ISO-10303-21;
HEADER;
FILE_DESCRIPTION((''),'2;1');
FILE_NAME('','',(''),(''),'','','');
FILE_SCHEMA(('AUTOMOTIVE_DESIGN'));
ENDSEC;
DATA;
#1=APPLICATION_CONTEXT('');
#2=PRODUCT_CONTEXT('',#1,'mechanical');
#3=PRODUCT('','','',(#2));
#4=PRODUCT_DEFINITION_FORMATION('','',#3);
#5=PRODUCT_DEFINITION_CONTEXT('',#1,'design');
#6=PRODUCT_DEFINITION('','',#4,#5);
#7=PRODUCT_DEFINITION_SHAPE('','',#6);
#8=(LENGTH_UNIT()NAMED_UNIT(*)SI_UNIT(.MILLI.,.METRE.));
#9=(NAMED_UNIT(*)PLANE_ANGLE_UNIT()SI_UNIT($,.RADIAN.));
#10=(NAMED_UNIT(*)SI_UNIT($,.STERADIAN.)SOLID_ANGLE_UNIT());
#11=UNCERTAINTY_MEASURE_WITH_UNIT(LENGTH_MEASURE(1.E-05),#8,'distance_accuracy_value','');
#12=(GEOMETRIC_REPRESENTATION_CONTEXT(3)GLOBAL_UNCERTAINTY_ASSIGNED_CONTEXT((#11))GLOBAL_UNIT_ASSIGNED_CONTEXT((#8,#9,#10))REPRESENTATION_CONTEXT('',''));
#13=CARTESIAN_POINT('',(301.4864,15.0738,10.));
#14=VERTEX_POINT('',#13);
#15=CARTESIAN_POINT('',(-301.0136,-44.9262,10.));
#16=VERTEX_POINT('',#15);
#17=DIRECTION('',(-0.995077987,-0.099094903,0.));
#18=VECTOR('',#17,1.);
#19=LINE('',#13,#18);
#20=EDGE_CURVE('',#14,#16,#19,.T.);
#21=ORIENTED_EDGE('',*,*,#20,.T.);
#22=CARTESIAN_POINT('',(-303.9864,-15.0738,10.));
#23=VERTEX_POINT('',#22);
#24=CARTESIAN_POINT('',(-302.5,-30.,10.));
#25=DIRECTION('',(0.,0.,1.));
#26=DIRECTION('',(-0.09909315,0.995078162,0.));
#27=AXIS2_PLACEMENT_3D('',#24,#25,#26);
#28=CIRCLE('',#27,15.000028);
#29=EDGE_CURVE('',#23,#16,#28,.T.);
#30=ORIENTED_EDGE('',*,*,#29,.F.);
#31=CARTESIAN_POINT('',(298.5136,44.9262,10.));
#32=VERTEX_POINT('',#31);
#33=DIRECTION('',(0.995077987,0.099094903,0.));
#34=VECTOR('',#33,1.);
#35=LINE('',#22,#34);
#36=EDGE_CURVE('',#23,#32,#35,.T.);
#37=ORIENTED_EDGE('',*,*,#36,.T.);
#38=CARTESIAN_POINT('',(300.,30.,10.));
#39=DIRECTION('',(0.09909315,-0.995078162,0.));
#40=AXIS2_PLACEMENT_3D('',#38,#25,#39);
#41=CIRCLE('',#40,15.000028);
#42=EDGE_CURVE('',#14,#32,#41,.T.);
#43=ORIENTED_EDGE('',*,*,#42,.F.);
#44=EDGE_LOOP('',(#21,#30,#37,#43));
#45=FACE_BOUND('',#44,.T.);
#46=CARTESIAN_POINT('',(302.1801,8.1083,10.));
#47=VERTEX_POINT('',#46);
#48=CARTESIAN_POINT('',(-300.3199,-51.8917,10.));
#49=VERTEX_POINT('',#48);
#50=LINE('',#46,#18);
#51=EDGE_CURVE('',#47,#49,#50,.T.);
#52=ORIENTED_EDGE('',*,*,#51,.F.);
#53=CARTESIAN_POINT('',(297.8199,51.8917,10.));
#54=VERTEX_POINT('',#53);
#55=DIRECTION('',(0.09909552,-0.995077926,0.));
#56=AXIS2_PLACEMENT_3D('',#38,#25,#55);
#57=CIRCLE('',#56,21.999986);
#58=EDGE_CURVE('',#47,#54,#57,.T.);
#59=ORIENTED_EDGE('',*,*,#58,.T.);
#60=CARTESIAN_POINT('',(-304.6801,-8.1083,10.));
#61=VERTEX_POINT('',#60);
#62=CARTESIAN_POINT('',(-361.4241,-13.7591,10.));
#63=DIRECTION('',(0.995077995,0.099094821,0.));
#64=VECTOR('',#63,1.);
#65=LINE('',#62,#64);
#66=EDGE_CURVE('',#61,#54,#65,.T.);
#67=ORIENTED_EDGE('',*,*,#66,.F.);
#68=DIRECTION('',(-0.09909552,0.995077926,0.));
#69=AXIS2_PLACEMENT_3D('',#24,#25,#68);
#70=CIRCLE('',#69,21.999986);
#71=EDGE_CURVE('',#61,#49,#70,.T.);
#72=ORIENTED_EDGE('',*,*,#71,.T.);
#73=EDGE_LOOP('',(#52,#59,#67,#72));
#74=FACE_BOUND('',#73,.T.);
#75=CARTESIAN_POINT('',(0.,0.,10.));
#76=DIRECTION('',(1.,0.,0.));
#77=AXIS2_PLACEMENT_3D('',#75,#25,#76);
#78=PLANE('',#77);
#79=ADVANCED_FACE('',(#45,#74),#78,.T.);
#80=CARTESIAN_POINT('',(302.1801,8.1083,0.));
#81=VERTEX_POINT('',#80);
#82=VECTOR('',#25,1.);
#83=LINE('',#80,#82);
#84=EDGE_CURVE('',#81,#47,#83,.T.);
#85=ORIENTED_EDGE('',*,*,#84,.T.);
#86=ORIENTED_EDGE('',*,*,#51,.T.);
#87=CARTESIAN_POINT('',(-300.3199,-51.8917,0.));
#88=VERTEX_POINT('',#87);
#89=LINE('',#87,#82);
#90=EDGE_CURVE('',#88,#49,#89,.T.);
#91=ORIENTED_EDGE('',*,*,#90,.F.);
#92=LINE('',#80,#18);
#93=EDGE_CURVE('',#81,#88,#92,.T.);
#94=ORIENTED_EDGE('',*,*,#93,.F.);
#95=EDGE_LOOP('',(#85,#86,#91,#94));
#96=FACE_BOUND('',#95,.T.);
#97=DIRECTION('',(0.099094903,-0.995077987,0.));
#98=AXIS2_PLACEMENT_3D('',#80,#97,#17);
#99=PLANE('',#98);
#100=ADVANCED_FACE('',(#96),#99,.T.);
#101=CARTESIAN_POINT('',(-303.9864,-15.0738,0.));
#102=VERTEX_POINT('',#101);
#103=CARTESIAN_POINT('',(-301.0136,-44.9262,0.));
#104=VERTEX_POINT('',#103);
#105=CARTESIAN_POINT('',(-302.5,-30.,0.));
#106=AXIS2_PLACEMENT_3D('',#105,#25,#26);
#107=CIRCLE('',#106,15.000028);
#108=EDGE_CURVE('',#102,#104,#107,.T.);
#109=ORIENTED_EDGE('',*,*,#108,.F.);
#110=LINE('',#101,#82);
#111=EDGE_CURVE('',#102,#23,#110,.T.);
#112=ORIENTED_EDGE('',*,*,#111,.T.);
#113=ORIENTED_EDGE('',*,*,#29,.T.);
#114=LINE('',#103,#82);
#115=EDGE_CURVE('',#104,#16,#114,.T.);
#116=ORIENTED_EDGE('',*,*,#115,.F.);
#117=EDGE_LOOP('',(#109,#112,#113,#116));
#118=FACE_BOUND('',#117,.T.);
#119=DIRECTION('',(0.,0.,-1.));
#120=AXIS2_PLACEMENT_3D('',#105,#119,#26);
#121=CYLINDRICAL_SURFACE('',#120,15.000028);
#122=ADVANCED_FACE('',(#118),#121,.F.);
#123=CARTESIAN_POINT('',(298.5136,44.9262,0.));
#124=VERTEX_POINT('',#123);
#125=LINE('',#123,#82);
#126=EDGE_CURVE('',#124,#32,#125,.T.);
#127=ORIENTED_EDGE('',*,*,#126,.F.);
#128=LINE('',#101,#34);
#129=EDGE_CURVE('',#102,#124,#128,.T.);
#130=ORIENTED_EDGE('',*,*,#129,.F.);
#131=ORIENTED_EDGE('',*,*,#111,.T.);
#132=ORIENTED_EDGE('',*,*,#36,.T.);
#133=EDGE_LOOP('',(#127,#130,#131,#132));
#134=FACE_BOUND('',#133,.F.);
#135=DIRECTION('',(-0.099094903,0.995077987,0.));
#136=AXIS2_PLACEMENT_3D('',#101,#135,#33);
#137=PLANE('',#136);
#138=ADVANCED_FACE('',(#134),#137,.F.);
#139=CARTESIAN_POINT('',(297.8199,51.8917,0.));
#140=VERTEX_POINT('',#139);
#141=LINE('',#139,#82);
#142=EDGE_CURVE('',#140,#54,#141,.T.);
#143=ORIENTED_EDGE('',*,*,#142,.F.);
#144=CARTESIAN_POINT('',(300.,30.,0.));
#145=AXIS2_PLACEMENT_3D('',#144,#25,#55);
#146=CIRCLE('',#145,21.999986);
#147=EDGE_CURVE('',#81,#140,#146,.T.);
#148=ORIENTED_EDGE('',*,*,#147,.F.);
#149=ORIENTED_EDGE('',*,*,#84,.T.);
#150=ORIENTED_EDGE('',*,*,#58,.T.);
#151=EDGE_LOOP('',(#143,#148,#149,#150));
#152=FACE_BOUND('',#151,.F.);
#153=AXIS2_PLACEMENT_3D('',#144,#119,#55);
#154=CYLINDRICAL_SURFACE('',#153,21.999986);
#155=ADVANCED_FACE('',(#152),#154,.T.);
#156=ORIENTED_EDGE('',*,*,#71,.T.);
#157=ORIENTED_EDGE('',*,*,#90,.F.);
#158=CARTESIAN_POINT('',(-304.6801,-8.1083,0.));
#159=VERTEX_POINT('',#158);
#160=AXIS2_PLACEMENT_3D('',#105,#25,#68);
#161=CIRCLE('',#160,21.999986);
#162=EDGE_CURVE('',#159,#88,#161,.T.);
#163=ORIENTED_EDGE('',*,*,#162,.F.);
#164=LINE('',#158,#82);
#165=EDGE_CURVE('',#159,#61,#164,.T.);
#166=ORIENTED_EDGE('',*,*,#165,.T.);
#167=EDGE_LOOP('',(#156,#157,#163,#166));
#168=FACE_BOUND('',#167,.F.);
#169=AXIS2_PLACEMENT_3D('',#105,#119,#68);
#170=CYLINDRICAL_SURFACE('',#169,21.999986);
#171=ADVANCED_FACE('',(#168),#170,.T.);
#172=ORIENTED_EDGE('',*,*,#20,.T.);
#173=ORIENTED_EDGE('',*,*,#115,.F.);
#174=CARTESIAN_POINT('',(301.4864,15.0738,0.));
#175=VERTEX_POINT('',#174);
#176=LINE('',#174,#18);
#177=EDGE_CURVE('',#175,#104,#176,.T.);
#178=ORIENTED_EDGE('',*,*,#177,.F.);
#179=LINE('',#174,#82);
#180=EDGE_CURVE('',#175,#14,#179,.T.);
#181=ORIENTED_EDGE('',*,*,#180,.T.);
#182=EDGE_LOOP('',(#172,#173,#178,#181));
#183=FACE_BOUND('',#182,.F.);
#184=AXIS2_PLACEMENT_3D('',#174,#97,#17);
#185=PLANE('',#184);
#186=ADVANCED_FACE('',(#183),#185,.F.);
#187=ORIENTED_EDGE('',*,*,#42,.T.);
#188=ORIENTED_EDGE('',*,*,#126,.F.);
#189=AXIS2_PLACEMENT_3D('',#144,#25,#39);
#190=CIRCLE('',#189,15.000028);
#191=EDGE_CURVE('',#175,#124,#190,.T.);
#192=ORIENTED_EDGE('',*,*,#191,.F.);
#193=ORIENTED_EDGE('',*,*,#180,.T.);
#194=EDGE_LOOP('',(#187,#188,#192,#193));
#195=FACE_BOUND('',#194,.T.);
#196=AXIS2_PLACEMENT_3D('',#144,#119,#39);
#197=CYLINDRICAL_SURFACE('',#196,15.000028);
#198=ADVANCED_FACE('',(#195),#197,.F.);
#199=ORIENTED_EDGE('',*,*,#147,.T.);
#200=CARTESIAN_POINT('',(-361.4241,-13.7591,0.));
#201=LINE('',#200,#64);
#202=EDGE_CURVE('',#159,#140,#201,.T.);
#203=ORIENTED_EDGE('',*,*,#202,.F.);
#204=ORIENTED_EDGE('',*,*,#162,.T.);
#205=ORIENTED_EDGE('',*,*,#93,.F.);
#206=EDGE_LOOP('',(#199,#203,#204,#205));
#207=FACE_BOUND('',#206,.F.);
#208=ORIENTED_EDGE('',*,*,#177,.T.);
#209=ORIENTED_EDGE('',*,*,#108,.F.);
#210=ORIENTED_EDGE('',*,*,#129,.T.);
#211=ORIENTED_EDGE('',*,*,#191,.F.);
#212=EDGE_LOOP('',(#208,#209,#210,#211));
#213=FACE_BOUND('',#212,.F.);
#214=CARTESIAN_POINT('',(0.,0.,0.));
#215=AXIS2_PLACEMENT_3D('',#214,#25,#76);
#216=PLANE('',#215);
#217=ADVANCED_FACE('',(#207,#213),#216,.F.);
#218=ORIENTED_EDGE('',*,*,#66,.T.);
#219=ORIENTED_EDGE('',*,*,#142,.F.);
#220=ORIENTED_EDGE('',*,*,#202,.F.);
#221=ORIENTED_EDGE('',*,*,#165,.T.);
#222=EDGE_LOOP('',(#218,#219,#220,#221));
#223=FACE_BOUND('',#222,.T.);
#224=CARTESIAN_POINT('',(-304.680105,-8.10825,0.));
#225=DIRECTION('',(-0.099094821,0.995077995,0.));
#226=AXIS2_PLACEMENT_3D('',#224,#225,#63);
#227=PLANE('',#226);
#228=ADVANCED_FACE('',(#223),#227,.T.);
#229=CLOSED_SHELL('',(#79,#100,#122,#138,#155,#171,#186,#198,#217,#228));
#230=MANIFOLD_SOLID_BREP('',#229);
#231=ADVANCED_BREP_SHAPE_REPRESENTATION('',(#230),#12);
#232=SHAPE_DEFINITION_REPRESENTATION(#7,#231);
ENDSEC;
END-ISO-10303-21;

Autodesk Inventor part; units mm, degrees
ref_plane "YZ Plane" through (0, 0, 0) normal (1, 0, 0) x (0, 1, 0)
ref_plane "XZ Plane" through (0, 0, 0) normal (0, 1, 0) x (-1, 0, 0)
ref_plane "XY Plane" through (0, 0, 0) normal (0, 0, 1) x (1, 0, 0)
sketch "Boceto1" plane through (0, 0, 0) normal (0, 0, 1) x (1, 0, 0)
  arc A0 (-303.9864, -15.0738) -> (-301.0136, -44.9262) centre (-302.5, -30) ccw
  arc A1 (301.4864, 15.0738) -> (298.5136, 44.9262) centre (300, 30) ccw
  line L0 (-303.9864, -15.0738) -> (298.5136, 44.9262)
  line L1 (301.4864, 15.0738) -> (-301.0136, -44.9262)
  line L2 (-361.4241, -13.7591) -> (297.8199, 51.8917)
  arc A2 (302.1801, 8.1083) -> (297.8199, 51.8917) centre (300, 30) ccw
  line L3 (302.1801, 8.1083) -> (-300.3199, -51.8917)
  arc A3 (-304.6801, -8.1083) -> (-300.3199, -51.8917) centre (-302.5, -30) ccw
  point P0 (0, 0)
  dimension "d0" = 30
  dimension "d1" = 30
  dimension "d2" = 300
  dimension "d3" = 302.5
  dimension "d4" = 30
  dimension "d5" = 30
  dimension "d6" = 7
  dimension "d8" = 7
extrude "Extrusión1" add sketch "Boceto1" along normal blind 10
properties part number "faja"
